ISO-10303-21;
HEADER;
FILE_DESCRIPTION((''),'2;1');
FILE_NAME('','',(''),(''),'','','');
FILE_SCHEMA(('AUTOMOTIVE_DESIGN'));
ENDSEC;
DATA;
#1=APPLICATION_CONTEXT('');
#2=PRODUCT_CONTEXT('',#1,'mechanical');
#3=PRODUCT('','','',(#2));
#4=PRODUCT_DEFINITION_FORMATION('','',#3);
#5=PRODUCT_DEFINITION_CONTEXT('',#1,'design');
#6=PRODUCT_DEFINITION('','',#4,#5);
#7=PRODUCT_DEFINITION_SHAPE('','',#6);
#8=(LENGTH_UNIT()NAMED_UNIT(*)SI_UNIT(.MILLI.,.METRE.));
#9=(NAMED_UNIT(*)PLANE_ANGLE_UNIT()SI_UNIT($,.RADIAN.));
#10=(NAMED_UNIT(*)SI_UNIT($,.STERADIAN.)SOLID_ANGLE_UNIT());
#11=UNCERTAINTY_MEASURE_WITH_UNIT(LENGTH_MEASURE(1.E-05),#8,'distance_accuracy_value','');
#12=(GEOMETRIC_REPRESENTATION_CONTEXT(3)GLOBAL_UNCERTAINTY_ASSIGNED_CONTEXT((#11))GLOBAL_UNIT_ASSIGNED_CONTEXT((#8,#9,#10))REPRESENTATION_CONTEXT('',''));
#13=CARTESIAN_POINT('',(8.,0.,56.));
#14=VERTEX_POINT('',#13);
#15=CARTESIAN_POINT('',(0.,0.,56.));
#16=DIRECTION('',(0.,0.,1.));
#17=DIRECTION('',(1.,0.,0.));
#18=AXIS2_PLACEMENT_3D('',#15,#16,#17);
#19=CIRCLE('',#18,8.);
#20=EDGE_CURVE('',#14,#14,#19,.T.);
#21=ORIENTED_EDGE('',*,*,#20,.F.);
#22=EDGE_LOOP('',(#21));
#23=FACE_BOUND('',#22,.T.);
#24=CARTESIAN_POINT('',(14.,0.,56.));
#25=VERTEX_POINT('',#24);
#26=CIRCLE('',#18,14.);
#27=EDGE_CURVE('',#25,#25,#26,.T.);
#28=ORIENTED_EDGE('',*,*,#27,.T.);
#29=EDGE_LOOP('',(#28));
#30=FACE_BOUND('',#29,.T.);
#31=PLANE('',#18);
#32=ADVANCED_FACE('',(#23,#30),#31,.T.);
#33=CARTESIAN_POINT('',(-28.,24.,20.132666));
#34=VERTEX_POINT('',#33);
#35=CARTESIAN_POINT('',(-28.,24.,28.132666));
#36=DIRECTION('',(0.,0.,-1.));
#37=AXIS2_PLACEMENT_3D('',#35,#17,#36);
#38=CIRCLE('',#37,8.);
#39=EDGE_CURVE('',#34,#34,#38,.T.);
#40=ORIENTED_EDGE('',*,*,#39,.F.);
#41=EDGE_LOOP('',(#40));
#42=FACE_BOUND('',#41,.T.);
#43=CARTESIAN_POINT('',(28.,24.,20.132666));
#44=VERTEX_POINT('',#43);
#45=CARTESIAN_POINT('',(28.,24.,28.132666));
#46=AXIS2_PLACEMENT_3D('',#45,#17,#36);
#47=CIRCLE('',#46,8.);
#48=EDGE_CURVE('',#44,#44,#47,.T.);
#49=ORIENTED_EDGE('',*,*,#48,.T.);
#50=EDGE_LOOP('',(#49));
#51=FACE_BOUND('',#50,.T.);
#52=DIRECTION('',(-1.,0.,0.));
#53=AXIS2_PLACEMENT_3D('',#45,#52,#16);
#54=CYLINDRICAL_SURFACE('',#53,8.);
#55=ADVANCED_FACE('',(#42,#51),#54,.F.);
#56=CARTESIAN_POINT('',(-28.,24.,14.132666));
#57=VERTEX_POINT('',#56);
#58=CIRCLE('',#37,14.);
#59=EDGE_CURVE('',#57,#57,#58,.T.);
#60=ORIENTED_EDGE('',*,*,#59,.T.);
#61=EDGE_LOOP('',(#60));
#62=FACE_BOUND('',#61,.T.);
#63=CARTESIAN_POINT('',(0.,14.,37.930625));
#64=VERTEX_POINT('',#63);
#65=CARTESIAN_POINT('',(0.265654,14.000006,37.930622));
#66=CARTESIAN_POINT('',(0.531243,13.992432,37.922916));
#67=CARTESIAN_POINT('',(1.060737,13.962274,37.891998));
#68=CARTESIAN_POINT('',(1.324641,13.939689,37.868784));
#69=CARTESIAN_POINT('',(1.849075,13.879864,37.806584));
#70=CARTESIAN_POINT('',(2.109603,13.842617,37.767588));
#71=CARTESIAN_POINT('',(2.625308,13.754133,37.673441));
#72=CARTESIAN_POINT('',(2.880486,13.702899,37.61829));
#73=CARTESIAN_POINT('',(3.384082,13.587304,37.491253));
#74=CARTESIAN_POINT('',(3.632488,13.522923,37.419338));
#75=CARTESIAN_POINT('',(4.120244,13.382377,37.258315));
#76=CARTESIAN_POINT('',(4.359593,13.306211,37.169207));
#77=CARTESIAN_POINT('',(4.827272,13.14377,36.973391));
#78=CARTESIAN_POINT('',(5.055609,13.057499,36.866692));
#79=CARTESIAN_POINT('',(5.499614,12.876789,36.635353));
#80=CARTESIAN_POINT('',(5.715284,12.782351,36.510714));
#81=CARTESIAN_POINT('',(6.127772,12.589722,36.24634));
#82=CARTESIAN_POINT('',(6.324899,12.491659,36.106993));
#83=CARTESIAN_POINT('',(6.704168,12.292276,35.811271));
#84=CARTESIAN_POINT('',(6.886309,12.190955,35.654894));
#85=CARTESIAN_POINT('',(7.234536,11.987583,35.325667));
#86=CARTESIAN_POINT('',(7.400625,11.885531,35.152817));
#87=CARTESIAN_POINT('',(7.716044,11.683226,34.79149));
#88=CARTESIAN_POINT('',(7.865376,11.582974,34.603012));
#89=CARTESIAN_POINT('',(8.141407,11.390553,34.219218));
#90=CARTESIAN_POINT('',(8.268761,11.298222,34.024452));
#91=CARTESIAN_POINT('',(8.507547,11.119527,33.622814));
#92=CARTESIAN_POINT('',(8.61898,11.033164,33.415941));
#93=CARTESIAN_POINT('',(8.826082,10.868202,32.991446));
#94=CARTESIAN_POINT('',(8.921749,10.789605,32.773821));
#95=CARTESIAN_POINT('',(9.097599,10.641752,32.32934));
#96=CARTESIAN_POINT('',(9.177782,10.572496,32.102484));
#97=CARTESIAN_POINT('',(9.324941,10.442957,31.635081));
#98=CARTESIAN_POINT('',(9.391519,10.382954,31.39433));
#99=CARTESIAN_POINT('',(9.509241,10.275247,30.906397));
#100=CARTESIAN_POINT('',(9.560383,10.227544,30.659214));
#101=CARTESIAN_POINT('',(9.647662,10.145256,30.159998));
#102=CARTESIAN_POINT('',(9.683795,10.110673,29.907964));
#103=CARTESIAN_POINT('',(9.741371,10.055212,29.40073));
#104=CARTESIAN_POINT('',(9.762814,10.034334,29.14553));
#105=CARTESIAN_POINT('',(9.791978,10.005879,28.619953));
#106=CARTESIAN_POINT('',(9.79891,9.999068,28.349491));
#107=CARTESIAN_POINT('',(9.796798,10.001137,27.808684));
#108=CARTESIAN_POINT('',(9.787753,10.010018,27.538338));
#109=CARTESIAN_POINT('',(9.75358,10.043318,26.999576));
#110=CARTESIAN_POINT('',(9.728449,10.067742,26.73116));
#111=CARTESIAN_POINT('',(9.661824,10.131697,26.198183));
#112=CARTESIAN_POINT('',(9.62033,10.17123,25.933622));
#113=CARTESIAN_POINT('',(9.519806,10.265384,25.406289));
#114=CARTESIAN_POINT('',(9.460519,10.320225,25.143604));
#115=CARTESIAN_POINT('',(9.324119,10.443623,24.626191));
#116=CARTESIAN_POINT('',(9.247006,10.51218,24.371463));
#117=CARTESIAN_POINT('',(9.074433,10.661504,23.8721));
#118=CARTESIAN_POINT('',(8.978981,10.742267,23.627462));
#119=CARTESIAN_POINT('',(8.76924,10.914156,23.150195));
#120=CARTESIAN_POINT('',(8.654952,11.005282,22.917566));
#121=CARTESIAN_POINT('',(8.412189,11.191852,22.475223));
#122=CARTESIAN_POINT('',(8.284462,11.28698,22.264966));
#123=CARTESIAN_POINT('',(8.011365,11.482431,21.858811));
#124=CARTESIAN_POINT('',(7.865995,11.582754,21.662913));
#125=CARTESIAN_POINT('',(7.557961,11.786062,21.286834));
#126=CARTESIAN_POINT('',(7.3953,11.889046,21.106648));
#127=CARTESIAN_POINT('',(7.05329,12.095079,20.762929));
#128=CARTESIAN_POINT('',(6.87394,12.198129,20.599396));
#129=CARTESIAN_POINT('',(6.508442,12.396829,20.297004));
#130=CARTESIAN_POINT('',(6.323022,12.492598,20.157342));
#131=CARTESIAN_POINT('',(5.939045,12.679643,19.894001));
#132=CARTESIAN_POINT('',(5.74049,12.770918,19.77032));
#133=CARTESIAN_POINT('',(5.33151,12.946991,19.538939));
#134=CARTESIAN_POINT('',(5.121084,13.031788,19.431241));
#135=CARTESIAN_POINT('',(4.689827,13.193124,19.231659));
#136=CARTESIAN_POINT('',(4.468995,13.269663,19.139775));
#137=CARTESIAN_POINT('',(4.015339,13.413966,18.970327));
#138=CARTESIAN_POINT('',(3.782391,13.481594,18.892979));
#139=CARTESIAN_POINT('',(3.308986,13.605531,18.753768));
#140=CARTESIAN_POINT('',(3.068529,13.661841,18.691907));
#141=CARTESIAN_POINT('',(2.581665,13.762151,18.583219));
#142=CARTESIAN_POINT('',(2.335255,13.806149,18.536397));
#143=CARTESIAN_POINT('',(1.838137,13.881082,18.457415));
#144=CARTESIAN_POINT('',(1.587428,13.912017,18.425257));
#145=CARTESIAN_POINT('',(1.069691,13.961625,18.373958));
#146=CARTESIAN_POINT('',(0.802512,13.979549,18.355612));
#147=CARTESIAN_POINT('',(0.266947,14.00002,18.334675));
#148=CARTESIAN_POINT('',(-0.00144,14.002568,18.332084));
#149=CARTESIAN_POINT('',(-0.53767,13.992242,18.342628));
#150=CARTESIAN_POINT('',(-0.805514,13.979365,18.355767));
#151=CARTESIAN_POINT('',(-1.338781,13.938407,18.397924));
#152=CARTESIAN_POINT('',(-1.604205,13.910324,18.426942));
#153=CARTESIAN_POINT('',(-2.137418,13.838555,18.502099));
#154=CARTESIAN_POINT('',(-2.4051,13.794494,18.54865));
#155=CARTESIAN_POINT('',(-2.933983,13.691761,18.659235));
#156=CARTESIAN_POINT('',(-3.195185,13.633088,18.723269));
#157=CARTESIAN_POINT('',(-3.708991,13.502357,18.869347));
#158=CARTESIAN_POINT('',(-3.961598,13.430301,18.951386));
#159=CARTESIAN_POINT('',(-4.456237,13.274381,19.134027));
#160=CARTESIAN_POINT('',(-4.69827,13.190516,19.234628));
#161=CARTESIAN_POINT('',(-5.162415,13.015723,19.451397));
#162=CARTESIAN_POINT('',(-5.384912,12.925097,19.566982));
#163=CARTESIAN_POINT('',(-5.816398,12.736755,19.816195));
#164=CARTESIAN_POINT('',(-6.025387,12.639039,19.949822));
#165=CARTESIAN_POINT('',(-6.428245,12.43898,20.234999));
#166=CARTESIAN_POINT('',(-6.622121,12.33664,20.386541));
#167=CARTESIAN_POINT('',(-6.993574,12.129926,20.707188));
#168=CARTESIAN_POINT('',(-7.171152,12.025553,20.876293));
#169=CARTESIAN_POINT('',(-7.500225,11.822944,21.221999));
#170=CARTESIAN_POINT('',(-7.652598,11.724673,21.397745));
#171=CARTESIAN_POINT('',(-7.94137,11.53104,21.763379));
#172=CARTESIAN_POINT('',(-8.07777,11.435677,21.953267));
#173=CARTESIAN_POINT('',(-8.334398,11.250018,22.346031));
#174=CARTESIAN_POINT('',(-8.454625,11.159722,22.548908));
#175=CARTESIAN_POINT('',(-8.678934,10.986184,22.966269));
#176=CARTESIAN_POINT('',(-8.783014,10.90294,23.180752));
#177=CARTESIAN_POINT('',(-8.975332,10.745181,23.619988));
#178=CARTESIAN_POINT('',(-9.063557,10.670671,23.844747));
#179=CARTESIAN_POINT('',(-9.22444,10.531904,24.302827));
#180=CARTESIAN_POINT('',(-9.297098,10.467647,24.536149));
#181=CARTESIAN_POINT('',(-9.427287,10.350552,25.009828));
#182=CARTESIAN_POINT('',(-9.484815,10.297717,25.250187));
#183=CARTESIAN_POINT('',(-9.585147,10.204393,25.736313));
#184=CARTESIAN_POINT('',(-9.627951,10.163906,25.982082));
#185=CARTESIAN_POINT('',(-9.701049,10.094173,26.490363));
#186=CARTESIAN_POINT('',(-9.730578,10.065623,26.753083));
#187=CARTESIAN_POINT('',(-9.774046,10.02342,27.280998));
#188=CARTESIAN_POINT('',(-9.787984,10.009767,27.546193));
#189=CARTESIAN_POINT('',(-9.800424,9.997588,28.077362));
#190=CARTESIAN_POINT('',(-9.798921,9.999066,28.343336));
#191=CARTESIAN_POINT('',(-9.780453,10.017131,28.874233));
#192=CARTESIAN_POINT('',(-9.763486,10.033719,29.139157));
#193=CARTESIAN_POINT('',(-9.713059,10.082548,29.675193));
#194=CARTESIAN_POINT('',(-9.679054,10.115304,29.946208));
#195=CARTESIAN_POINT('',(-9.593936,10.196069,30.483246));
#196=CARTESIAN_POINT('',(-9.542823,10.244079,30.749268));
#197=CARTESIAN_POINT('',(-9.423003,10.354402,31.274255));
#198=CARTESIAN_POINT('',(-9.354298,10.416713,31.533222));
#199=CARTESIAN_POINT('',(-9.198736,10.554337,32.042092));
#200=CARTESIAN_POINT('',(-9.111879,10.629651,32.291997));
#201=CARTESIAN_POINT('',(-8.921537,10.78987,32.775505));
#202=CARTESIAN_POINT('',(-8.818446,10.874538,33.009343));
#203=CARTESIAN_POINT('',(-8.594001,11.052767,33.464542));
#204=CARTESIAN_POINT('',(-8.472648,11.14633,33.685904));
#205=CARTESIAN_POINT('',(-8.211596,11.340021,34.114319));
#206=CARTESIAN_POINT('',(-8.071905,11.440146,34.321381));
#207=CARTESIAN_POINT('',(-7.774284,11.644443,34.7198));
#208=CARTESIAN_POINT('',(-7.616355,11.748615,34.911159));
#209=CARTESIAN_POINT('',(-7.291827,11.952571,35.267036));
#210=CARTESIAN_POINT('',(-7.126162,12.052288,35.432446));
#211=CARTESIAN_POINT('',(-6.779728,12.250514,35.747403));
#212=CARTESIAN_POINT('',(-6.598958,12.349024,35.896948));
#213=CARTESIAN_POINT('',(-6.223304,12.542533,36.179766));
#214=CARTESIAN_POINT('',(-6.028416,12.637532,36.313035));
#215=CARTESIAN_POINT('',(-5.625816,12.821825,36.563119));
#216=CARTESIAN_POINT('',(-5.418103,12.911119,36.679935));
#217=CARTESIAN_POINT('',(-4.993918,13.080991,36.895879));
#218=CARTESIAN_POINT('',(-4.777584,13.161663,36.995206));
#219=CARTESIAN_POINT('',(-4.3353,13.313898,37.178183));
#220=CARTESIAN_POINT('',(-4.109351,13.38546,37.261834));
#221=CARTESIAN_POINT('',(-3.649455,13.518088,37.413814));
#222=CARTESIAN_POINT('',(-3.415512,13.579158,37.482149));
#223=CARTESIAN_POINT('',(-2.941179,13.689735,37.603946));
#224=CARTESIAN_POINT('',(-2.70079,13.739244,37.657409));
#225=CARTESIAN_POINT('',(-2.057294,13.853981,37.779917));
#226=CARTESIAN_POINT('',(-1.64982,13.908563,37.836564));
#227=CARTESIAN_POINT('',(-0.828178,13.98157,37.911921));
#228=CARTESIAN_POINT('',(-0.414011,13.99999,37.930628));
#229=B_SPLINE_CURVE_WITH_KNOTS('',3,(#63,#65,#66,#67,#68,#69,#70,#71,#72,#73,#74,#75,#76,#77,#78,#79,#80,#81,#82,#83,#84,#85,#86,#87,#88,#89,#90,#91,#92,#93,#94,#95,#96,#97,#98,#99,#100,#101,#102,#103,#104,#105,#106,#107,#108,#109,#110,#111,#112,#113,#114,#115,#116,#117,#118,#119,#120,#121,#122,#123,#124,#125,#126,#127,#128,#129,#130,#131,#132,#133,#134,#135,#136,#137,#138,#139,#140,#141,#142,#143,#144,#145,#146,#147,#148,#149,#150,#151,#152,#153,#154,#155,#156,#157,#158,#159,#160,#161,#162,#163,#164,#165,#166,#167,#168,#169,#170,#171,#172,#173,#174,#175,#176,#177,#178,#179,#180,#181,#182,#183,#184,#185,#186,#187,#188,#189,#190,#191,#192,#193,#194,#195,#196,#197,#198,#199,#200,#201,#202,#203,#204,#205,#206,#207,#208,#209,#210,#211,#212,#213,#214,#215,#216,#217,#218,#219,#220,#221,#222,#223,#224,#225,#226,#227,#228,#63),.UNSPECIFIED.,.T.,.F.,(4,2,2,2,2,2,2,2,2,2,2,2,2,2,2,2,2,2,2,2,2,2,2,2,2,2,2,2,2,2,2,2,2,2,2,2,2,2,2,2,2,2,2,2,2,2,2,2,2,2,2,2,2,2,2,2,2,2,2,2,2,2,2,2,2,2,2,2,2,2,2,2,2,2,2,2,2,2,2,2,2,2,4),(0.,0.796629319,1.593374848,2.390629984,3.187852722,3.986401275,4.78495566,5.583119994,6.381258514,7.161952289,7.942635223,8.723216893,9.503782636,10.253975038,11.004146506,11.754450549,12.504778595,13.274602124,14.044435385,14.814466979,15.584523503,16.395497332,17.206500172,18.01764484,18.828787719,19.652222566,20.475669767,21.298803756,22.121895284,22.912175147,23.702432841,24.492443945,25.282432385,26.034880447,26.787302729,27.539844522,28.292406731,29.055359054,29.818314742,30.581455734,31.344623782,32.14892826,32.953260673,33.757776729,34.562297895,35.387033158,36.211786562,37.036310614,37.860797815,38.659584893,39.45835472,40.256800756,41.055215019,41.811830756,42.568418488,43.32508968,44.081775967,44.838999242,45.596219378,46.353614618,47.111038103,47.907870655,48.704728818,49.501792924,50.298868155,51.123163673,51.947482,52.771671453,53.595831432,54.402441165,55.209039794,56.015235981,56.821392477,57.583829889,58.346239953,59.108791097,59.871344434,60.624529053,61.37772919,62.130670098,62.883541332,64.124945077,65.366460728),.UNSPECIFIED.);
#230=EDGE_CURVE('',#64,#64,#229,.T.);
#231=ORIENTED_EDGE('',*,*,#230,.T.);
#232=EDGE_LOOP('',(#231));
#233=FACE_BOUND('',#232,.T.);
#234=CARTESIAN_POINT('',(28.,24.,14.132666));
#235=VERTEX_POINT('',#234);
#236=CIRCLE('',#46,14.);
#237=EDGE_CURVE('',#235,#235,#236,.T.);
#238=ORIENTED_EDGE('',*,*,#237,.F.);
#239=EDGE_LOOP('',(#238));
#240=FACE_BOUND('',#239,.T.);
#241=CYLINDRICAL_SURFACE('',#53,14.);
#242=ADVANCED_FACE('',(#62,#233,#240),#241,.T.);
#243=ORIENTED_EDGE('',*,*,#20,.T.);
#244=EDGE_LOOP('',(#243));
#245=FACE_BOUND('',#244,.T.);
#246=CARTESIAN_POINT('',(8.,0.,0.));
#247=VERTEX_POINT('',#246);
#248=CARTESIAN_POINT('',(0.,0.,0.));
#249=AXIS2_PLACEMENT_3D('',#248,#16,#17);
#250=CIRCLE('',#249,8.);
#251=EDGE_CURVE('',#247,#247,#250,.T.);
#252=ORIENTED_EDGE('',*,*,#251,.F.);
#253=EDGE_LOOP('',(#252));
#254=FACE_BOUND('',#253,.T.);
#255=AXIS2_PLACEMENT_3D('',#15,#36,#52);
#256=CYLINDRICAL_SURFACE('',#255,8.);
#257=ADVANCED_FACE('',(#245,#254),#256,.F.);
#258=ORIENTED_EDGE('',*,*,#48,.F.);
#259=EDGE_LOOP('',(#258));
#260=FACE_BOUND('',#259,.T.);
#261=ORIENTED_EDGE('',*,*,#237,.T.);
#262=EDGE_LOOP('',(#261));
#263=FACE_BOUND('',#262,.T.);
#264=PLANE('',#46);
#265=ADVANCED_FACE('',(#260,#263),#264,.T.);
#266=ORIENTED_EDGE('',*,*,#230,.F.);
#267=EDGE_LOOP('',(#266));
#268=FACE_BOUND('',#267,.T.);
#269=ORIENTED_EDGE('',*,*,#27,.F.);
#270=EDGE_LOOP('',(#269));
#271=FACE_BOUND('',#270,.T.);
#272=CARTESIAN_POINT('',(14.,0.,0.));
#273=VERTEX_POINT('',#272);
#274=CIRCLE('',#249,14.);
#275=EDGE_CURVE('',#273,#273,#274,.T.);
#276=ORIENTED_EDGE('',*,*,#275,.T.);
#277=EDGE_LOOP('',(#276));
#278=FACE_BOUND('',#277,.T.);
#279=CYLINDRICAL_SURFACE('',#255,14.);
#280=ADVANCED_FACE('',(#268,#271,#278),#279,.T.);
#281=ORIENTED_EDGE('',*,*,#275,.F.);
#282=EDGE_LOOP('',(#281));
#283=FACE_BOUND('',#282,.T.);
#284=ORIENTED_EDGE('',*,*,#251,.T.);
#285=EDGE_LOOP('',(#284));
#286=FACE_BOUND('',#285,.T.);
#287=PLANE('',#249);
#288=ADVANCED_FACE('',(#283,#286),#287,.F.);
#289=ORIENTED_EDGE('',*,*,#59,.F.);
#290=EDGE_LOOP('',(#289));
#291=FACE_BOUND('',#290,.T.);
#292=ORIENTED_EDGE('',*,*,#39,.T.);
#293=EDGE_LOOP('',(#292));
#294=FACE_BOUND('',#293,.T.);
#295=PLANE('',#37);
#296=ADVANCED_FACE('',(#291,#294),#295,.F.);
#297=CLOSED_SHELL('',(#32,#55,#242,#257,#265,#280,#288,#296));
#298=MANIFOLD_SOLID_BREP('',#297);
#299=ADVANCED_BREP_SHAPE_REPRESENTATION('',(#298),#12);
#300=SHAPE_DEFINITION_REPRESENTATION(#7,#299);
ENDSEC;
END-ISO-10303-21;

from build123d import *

# Parameters (mm, degrees)
SKETCH2_R           = 14
SKETCH2_R_2         = 8
BOSS_EXTRUDE1_DEPTH = 56
SKETCH4_R           = 14
SKETCH4_R_2         = 8
BOSS_EXTRUDE2_DEPTH = 28


with BuildPart() as part:
    # Sketch2 → Boss-Extrude1 (new body)
    with BuildSketch(Plane(origin=(0, 0, 0), x_dir=(0, 1, 0), z_dir=(0, 0, 1))):
        with Locations(Location((0, 0, 0), (0, 0, 270))):
            Circle(SKETCH2_R)
        with Locations(Location((0, 0, 0), (0, 0, 270))):
            Circle(SKETCH2_R_2, mode=Mode.SUBTRACT)
    extrude(amount=BOSS_EXTRUDE1_DEPTH)

    # Sketch4 → Boss-Extrude2 (add, symmetric)
    with BuildSketch(Plane.YZ):
        with Locations(Location((24, 28.13266563, 0), (0, 0, 270))):
            Circle(SKETCH4_R)
        with Locations(Location((24, 28.13266563, 0), (0, 0, 270))):
            Circle(SKETCH4_R_2, mode=Mode.SUBTRACT)
    extrude(amount=BOSS_EXTRUDE2_DEPTH, both=True)


solid = part.part
